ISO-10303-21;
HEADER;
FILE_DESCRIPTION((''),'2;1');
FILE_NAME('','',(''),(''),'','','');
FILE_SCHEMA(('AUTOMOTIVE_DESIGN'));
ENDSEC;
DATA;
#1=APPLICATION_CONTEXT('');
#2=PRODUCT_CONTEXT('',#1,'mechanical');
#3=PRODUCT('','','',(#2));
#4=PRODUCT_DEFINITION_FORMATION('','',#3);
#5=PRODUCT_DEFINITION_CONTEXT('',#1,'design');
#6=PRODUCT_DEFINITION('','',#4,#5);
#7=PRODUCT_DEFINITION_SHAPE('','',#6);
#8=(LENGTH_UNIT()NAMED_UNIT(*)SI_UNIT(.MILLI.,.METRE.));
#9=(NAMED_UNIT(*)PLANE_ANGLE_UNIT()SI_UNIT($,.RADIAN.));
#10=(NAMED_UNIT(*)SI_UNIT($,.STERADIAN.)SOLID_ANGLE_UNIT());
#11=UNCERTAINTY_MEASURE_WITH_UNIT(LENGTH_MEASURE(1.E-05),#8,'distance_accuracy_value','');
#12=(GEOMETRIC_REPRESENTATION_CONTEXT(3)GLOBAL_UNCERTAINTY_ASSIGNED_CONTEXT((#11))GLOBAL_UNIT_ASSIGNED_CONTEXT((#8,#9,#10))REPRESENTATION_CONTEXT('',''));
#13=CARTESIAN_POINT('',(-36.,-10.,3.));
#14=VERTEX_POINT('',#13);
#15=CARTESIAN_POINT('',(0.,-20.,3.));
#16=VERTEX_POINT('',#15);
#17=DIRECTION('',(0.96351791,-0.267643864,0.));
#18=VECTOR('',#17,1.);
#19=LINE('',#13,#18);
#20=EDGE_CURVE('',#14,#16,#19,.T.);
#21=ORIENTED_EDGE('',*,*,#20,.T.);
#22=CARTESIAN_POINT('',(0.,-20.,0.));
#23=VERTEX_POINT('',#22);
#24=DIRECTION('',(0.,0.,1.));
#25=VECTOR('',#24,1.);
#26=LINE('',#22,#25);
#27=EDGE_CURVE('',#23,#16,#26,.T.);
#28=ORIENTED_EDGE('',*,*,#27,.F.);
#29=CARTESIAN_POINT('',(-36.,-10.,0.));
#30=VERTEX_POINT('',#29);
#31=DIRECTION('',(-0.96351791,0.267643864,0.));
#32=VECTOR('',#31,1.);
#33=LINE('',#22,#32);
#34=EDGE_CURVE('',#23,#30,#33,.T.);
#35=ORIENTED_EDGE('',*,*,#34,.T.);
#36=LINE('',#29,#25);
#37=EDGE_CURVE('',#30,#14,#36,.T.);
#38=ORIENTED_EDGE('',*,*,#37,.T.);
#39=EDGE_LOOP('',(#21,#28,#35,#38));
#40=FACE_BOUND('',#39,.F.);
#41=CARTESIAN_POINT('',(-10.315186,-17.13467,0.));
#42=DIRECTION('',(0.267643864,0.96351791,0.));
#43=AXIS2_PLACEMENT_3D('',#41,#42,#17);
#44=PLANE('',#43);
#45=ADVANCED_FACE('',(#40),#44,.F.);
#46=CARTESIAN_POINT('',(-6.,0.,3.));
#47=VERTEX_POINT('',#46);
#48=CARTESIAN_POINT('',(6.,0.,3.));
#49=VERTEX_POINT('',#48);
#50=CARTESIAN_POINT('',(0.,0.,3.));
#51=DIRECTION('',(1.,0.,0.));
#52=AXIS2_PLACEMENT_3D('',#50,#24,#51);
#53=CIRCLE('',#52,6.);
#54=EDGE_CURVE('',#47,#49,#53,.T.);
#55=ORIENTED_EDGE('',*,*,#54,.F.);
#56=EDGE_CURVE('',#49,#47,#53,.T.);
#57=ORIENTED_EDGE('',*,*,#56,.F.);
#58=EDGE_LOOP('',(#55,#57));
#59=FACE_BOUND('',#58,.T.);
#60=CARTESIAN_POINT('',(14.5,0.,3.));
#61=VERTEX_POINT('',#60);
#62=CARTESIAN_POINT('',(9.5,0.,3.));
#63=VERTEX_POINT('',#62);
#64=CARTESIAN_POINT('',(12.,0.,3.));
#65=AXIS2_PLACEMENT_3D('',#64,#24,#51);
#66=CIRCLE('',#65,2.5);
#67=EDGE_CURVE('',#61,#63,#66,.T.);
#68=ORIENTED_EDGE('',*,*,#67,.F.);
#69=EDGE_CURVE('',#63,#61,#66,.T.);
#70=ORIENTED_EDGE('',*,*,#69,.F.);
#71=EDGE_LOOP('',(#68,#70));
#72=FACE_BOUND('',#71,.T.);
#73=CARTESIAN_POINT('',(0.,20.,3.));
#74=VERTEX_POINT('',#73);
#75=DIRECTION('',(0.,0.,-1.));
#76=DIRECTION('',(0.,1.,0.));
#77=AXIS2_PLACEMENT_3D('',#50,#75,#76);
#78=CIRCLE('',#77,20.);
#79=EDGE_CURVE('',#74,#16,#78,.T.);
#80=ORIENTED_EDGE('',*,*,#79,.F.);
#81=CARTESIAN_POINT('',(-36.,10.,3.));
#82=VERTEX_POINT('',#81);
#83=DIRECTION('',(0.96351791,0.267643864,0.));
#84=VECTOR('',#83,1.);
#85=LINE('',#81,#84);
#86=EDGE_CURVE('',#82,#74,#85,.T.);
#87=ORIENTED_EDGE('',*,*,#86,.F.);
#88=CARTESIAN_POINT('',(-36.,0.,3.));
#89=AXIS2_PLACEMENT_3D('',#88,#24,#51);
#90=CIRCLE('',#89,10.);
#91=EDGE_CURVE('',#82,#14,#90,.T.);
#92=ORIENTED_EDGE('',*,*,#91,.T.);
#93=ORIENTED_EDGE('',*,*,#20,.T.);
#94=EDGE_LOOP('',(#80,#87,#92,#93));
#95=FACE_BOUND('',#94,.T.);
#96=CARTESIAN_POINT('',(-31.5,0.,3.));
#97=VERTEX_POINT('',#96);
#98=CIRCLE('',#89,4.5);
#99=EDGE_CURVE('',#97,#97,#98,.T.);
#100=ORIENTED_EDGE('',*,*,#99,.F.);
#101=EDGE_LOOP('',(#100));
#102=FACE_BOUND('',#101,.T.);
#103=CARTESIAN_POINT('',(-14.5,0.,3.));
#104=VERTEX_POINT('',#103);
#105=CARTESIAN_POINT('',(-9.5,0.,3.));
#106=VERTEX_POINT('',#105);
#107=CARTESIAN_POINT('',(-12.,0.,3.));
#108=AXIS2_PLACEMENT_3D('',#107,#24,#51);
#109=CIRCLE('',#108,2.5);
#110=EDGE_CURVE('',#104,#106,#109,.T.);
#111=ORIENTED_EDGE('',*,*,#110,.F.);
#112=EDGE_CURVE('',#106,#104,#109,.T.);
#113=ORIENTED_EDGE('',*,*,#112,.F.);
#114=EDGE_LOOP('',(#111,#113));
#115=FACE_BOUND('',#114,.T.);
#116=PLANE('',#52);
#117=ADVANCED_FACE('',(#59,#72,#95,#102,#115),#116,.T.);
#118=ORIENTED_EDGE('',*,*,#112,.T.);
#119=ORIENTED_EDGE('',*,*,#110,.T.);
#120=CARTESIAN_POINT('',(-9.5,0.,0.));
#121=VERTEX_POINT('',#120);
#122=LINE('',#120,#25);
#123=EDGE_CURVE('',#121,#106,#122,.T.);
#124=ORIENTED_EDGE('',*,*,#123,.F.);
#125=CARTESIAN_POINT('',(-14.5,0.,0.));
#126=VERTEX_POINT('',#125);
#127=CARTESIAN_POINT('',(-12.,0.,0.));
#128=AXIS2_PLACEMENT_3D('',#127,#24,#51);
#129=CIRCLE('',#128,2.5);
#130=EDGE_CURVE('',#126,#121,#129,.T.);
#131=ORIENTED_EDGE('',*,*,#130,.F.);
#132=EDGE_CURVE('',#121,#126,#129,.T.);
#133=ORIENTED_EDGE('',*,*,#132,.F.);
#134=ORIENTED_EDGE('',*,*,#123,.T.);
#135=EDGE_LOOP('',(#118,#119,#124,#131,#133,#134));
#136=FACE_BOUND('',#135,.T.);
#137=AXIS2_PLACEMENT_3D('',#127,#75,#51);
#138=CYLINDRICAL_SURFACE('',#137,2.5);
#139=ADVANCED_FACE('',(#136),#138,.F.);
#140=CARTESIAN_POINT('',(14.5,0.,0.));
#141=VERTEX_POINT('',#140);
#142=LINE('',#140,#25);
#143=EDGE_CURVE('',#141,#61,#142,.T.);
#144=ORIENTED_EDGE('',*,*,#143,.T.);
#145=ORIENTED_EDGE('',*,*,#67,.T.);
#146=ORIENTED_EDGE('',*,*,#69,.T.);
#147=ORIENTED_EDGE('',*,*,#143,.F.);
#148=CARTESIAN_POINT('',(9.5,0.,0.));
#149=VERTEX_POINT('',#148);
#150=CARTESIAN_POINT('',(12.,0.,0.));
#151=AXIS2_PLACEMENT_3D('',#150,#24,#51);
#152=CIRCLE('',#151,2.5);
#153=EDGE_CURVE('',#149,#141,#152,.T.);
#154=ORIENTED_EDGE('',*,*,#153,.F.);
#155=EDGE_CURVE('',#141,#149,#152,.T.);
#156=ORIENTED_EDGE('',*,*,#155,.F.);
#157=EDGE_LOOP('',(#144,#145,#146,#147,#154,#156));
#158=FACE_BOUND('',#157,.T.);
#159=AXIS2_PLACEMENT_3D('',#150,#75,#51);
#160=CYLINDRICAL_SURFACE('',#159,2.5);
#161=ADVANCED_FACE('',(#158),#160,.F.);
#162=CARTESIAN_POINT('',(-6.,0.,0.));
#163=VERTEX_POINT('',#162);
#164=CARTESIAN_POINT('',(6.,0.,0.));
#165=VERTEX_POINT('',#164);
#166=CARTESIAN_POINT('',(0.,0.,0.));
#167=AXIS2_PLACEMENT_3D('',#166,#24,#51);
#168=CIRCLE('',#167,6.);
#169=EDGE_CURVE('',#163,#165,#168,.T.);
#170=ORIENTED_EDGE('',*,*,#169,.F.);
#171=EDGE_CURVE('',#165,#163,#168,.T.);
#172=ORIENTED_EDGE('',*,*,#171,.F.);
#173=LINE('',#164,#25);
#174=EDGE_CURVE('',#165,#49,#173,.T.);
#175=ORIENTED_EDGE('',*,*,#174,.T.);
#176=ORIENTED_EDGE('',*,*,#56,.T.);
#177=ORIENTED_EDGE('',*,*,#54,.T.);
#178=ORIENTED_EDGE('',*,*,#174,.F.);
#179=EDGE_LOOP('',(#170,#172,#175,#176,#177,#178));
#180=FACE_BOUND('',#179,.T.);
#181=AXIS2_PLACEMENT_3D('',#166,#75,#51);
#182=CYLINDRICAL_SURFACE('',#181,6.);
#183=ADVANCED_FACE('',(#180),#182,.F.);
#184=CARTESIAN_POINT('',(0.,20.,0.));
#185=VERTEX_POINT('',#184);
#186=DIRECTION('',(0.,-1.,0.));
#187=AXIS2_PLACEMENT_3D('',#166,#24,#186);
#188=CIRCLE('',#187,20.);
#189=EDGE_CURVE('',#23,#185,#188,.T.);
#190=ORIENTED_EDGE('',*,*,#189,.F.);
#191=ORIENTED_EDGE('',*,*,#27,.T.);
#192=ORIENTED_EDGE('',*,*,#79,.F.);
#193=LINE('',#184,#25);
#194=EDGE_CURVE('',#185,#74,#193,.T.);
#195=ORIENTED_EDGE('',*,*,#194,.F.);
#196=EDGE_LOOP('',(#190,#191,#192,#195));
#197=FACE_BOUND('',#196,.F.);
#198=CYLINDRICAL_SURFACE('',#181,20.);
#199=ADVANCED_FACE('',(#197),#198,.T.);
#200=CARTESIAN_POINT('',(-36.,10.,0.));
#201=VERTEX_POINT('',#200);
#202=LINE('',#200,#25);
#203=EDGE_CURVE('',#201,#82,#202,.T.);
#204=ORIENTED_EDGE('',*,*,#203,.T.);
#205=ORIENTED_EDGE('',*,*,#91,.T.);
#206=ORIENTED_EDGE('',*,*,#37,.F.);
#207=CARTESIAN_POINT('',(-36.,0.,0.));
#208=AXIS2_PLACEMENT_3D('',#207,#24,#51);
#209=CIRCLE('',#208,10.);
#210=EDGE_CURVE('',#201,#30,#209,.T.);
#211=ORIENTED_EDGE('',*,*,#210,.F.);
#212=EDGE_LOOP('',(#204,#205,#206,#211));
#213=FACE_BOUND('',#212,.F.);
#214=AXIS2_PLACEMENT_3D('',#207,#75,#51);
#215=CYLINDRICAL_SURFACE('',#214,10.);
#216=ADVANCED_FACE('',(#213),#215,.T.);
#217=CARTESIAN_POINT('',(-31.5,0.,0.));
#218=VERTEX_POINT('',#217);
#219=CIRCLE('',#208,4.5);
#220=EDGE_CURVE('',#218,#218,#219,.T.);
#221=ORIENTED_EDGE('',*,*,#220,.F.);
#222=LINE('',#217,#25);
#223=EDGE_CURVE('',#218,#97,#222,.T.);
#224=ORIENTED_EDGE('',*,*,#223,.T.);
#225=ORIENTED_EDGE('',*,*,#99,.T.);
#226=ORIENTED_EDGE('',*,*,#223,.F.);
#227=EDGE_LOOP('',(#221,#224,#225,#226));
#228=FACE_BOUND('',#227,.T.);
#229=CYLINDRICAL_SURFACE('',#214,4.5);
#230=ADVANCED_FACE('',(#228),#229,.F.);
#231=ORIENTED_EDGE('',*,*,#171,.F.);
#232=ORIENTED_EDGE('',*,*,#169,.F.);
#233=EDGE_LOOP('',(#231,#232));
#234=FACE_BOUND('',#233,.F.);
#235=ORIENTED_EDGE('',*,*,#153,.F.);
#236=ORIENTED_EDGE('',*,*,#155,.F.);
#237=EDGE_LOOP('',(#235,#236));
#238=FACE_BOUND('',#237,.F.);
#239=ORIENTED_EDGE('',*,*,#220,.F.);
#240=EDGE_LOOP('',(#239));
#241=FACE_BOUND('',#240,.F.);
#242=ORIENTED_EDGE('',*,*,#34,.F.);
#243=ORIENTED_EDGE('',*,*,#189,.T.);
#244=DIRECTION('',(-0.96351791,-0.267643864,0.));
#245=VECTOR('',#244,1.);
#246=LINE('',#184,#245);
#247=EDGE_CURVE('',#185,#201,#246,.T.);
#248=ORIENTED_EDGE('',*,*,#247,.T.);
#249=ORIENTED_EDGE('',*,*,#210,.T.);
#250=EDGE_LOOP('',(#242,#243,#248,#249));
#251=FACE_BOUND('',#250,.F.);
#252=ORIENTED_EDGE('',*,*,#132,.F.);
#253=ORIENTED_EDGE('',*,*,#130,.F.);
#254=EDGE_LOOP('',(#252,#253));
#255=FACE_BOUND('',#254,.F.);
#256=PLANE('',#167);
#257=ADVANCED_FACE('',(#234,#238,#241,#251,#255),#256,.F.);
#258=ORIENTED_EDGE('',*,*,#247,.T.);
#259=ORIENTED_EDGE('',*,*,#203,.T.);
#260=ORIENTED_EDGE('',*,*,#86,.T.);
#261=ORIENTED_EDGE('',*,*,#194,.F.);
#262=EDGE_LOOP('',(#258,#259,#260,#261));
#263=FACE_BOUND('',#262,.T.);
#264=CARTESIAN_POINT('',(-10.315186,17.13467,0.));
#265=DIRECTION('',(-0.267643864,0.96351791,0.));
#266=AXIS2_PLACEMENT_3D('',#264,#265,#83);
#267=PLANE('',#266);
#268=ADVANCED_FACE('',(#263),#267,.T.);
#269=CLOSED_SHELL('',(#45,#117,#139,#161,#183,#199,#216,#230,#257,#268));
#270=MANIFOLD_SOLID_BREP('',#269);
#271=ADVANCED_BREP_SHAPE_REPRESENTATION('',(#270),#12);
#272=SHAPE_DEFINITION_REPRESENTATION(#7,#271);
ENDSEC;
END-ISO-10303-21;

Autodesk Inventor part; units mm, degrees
ref_plane "YZ Plane" through (0, 0, 0) normal (1, 0, 0) x (0, 1, 0)
ref_plane "XZ Plane" through (0, 0, 0) normal (0, 1, 0) x (-1, 0, 0)
ref_plane "XY Plane" through (0, 0, 0) normal (0, 0, 1) x (1, 0, 0)
sketch "Sketch1" plane through (0, 0, 0) normal (0, 0, 1) x (1, 0, 0)
  circle A0 centre (0, 0) radius 6
  circle A1 centre (0, 0) radius 20
  line L0 (0, 0) -> (12, 0)
  line L1 (0, 0) -> (-12, 0)
  circle A2 centre (-12, 0) radius 2.5
  circle A3 centre (12, 0) radius 2.5
  line L2 (0, 0) -> (-36, 0)
  circle A4 centre (-36, 0) radius 4.5
  circle A5 centre (-36, 0) radius 10
  line L3 (-36, 10) -> (0, 20)
  line L4 (-36, -10) -> (0, -20)
  dimension "d0" = 12
  dimension "d1" = 40
  dimension "d2" = 12
  dimension "d3" = 12
  dimension "d4" = 5
  dimension "d5" = 5
  dimension "d6" = 36
  dimension "d7" = 9
  dimension "d8" = 20
extrude "Extrusion1" add sketch "Sketch1" along normal blind 3 contours A1 L3 L4 | A1 L4 A5 L2 | L2 A5 L3 A1 | A5
properties part number "captorTest"
